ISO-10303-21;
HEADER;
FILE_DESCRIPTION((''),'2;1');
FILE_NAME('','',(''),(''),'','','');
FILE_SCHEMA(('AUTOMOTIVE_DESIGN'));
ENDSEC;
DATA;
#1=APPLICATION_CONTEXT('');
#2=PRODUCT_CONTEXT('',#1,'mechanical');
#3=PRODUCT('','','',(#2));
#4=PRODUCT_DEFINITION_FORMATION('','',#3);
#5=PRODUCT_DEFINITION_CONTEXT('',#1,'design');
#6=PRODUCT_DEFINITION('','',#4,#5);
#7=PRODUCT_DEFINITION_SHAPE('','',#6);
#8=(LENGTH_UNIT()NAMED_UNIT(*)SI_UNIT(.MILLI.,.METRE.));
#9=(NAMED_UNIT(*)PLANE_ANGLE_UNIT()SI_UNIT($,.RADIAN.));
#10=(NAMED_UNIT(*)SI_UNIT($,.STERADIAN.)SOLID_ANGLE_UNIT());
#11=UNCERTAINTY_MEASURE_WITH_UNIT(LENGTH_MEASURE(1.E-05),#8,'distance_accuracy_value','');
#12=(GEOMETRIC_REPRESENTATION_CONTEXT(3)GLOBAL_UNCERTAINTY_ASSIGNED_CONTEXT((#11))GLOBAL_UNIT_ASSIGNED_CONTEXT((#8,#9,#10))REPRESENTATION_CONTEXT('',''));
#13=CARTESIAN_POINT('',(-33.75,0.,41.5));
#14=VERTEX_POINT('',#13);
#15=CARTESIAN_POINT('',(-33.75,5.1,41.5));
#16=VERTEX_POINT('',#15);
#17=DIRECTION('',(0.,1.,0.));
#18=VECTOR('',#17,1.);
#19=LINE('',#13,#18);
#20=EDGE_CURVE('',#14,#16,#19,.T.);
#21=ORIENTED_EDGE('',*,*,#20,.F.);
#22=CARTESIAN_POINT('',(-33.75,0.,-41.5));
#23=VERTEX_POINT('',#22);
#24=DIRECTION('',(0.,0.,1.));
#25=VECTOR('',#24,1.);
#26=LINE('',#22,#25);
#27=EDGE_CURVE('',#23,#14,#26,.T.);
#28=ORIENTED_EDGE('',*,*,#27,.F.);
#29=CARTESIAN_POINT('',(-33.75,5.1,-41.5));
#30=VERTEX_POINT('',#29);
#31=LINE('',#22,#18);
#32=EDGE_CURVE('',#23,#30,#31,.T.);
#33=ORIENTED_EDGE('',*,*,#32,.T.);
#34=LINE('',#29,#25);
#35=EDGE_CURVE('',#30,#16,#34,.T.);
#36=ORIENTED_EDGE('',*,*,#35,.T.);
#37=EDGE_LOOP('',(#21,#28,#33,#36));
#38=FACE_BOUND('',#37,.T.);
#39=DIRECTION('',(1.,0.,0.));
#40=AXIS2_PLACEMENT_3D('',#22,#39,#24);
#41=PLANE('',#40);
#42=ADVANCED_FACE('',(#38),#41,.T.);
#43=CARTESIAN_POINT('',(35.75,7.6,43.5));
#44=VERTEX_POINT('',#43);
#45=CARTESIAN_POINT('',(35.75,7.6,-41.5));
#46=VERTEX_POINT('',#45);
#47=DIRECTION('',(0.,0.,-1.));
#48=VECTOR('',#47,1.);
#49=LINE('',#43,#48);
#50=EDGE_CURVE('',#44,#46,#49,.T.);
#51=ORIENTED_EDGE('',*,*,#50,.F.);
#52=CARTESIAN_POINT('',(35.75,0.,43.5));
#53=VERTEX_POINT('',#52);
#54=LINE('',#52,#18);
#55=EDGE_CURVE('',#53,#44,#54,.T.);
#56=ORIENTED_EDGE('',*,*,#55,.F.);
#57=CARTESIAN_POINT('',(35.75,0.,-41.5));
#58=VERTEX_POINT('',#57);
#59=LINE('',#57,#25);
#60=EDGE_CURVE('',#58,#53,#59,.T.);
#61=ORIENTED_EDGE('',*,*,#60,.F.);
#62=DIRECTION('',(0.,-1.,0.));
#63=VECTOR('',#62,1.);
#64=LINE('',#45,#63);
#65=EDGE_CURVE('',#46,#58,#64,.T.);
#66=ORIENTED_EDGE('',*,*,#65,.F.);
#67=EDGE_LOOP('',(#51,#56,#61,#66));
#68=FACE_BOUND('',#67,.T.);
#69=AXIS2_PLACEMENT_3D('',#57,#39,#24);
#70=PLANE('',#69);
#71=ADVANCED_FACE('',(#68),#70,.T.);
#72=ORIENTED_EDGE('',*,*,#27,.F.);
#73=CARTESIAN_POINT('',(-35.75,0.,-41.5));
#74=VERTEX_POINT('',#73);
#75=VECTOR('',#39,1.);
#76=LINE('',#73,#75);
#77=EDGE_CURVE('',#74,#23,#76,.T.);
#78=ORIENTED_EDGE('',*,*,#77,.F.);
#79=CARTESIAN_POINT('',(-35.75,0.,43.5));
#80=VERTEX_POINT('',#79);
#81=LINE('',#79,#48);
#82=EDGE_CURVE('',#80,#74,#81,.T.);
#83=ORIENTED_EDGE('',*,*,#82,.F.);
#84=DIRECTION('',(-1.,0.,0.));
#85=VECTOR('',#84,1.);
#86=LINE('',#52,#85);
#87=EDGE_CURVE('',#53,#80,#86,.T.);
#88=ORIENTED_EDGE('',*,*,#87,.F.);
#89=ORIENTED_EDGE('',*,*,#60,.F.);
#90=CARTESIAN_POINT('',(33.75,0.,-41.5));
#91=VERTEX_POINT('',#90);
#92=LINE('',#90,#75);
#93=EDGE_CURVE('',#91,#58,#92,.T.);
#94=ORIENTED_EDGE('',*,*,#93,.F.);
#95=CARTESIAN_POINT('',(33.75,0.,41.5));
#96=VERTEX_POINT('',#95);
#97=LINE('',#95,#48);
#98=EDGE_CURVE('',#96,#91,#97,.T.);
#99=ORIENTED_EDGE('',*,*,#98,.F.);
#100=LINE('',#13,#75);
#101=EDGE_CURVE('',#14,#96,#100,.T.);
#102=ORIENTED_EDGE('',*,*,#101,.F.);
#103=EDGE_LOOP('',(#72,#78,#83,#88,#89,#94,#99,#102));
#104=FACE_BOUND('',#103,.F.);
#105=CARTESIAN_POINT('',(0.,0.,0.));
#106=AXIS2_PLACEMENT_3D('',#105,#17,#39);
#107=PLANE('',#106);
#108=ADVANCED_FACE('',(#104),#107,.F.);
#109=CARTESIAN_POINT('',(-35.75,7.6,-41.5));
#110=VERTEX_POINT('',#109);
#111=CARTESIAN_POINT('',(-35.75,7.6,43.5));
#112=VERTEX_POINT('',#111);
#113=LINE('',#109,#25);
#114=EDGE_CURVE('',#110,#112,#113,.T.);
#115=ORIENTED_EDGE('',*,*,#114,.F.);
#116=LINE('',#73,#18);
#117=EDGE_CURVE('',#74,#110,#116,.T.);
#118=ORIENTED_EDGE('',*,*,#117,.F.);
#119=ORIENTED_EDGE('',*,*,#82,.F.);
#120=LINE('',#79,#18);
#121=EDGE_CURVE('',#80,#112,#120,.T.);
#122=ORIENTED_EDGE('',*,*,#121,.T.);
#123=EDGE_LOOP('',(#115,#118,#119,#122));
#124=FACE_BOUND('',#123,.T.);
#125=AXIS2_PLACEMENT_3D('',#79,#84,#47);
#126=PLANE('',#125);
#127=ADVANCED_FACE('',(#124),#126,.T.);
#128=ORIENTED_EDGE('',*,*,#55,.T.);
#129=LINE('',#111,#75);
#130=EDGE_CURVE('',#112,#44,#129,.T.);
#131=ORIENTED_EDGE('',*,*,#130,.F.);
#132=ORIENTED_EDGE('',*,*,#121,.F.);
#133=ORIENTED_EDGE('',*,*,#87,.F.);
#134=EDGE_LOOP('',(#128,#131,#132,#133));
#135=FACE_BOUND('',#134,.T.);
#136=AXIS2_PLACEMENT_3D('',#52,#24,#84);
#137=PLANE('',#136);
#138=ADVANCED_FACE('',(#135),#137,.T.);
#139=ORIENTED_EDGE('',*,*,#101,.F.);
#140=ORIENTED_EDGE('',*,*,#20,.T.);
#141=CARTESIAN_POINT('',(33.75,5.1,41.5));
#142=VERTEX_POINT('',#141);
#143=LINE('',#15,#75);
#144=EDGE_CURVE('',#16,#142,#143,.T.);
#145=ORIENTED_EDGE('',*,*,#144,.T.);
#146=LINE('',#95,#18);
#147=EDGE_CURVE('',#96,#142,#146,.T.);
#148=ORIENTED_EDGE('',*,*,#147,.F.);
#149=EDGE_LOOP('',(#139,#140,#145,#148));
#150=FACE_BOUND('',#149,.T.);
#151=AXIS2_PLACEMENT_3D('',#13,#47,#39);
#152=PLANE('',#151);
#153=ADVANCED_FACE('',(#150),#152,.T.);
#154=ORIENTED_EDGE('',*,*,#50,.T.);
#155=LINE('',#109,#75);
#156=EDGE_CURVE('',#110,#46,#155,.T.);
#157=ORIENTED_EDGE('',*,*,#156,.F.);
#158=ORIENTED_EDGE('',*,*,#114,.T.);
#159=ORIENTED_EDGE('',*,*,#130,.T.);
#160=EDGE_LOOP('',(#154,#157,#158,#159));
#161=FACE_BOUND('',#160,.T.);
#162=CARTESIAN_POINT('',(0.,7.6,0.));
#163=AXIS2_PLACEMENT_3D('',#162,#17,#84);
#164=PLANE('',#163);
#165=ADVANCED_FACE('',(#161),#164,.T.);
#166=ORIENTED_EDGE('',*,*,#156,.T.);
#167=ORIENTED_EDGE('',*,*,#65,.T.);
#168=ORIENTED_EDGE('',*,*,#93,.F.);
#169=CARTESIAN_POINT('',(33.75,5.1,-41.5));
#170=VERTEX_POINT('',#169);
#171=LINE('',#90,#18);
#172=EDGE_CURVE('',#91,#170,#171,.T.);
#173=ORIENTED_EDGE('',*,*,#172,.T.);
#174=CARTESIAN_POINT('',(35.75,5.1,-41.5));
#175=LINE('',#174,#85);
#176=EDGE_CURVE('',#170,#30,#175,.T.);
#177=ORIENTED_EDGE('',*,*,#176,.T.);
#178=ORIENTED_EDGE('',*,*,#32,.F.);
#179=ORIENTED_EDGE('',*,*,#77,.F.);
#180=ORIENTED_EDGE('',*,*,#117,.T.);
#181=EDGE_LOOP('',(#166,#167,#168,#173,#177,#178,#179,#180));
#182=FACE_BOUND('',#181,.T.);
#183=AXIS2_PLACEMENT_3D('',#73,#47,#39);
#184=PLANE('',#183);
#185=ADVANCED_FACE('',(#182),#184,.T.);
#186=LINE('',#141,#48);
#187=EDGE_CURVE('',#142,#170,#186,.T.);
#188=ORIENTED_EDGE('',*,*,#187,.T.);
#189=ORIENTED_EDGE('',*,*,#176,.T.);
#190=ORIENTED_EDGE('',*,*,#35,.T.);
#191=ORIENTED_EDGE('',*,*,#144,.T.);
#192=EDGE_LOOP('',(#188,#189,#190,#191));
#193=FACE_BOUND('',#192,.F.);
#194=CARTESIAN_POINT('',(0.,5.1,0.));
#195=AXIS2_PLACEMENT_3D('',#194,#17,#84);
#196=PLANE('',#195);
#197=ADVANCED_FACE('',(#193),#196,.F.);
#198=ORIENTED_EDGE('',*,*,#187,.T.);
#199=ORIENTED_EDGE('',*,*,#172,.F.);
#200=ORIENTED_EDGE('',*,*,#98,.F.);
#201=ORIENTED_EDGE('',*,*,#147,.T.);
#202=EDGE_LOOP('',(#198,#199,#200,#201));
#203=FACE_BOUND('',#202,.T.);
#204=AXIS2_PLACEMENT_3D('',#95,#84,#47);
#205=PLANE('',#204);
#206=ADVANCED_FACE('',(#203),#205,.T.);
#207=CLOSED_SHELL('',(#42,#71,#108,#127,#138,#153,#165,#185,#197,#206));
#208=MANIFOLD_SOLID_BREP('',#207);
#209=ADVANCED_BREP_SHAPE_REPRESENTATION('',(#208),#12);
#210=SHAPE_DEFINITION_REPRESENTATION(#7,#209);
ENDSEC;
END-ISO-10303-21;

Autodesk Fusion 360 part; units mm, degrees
sketch "Sketch1" plane through (0, 0, 0) normal (0, 1, 0) x (1, 0, 0)
  line L0 (-35.75, 41.5) -> (-33.75, 41.5)
  line L1 (-33.75, 41.5) -> (-33.75, -41.5)
  line L2 (-33.75, -41.5) -> (33.75, -41.5)
  line L3 (33.75, -41.5) -> (33.75, 41.5)
  line L4 (33.75, 41.5) -> (35.75, 41.5)
  line L5 (35.75, 41.5) -> (35.75, -43.5)
  line L6 (35.75, -43.5) -> (-35.75, -43.5)
  line L7 (-35.75, -43.5) -> (-35.75, 41.5)
  dimension "d1" = 2
  dimension "d2" = 2
  dimension "d3" = 2
  dimension "d4" = 67.5
  dimension "d5" = 83
  dimension "d6" = 33.75
  dimension "d7" = 41.5
extrude "Extrude1" add sketch "Sketch1" along normal blind 5.1
sketch "Sketch2" plane through (0, 5.1, 0) normal (0, 1, 0) x (-1, 0, 0)
  line L0 (35.75, 43.5) -> (-35.75, 43.5)
  line L1 (-35.75, 43.5) -> (-35.75, -41.5)
  line L2 (-35.75, -41.5) -> (-33.75, -41.5)
  line L3 (-33.75, -41.5) -> (-33.75, 41.5)
  line L4 (-33.75, 41.5) -> (33.75, 41.5)
  line L5 (33.75, 41.5) -> (33.75, -41.5)
  line L6 (33.75, -41.5) -> (35.75, -41.5)
  line L7 (35.75, -41.5) -> (35.75, 43.5)
  line L8 (35.75, 43.5) -> (-35.75, 43.5)
  line L9 (-35.75, 43.5) -> (-35.75, -41.5)
  line L10 (-35.75, -41.5) -> (35.75, -41.5)
  line L11 (35.75, -41.5) -> (35.75, 43.5)
extrude "Extrude2" add sketch "Sketch2" along normal blind 2.5
equation "d2 = d1"
equation "d3 = d1"
equation "d4 = 60 mm + 6 mm + 1.5 mm"
equation "d5 = 80 mm + 3 mm"
equation "d6 = d4 / 2"
equation "d7 = d5 / 2"
